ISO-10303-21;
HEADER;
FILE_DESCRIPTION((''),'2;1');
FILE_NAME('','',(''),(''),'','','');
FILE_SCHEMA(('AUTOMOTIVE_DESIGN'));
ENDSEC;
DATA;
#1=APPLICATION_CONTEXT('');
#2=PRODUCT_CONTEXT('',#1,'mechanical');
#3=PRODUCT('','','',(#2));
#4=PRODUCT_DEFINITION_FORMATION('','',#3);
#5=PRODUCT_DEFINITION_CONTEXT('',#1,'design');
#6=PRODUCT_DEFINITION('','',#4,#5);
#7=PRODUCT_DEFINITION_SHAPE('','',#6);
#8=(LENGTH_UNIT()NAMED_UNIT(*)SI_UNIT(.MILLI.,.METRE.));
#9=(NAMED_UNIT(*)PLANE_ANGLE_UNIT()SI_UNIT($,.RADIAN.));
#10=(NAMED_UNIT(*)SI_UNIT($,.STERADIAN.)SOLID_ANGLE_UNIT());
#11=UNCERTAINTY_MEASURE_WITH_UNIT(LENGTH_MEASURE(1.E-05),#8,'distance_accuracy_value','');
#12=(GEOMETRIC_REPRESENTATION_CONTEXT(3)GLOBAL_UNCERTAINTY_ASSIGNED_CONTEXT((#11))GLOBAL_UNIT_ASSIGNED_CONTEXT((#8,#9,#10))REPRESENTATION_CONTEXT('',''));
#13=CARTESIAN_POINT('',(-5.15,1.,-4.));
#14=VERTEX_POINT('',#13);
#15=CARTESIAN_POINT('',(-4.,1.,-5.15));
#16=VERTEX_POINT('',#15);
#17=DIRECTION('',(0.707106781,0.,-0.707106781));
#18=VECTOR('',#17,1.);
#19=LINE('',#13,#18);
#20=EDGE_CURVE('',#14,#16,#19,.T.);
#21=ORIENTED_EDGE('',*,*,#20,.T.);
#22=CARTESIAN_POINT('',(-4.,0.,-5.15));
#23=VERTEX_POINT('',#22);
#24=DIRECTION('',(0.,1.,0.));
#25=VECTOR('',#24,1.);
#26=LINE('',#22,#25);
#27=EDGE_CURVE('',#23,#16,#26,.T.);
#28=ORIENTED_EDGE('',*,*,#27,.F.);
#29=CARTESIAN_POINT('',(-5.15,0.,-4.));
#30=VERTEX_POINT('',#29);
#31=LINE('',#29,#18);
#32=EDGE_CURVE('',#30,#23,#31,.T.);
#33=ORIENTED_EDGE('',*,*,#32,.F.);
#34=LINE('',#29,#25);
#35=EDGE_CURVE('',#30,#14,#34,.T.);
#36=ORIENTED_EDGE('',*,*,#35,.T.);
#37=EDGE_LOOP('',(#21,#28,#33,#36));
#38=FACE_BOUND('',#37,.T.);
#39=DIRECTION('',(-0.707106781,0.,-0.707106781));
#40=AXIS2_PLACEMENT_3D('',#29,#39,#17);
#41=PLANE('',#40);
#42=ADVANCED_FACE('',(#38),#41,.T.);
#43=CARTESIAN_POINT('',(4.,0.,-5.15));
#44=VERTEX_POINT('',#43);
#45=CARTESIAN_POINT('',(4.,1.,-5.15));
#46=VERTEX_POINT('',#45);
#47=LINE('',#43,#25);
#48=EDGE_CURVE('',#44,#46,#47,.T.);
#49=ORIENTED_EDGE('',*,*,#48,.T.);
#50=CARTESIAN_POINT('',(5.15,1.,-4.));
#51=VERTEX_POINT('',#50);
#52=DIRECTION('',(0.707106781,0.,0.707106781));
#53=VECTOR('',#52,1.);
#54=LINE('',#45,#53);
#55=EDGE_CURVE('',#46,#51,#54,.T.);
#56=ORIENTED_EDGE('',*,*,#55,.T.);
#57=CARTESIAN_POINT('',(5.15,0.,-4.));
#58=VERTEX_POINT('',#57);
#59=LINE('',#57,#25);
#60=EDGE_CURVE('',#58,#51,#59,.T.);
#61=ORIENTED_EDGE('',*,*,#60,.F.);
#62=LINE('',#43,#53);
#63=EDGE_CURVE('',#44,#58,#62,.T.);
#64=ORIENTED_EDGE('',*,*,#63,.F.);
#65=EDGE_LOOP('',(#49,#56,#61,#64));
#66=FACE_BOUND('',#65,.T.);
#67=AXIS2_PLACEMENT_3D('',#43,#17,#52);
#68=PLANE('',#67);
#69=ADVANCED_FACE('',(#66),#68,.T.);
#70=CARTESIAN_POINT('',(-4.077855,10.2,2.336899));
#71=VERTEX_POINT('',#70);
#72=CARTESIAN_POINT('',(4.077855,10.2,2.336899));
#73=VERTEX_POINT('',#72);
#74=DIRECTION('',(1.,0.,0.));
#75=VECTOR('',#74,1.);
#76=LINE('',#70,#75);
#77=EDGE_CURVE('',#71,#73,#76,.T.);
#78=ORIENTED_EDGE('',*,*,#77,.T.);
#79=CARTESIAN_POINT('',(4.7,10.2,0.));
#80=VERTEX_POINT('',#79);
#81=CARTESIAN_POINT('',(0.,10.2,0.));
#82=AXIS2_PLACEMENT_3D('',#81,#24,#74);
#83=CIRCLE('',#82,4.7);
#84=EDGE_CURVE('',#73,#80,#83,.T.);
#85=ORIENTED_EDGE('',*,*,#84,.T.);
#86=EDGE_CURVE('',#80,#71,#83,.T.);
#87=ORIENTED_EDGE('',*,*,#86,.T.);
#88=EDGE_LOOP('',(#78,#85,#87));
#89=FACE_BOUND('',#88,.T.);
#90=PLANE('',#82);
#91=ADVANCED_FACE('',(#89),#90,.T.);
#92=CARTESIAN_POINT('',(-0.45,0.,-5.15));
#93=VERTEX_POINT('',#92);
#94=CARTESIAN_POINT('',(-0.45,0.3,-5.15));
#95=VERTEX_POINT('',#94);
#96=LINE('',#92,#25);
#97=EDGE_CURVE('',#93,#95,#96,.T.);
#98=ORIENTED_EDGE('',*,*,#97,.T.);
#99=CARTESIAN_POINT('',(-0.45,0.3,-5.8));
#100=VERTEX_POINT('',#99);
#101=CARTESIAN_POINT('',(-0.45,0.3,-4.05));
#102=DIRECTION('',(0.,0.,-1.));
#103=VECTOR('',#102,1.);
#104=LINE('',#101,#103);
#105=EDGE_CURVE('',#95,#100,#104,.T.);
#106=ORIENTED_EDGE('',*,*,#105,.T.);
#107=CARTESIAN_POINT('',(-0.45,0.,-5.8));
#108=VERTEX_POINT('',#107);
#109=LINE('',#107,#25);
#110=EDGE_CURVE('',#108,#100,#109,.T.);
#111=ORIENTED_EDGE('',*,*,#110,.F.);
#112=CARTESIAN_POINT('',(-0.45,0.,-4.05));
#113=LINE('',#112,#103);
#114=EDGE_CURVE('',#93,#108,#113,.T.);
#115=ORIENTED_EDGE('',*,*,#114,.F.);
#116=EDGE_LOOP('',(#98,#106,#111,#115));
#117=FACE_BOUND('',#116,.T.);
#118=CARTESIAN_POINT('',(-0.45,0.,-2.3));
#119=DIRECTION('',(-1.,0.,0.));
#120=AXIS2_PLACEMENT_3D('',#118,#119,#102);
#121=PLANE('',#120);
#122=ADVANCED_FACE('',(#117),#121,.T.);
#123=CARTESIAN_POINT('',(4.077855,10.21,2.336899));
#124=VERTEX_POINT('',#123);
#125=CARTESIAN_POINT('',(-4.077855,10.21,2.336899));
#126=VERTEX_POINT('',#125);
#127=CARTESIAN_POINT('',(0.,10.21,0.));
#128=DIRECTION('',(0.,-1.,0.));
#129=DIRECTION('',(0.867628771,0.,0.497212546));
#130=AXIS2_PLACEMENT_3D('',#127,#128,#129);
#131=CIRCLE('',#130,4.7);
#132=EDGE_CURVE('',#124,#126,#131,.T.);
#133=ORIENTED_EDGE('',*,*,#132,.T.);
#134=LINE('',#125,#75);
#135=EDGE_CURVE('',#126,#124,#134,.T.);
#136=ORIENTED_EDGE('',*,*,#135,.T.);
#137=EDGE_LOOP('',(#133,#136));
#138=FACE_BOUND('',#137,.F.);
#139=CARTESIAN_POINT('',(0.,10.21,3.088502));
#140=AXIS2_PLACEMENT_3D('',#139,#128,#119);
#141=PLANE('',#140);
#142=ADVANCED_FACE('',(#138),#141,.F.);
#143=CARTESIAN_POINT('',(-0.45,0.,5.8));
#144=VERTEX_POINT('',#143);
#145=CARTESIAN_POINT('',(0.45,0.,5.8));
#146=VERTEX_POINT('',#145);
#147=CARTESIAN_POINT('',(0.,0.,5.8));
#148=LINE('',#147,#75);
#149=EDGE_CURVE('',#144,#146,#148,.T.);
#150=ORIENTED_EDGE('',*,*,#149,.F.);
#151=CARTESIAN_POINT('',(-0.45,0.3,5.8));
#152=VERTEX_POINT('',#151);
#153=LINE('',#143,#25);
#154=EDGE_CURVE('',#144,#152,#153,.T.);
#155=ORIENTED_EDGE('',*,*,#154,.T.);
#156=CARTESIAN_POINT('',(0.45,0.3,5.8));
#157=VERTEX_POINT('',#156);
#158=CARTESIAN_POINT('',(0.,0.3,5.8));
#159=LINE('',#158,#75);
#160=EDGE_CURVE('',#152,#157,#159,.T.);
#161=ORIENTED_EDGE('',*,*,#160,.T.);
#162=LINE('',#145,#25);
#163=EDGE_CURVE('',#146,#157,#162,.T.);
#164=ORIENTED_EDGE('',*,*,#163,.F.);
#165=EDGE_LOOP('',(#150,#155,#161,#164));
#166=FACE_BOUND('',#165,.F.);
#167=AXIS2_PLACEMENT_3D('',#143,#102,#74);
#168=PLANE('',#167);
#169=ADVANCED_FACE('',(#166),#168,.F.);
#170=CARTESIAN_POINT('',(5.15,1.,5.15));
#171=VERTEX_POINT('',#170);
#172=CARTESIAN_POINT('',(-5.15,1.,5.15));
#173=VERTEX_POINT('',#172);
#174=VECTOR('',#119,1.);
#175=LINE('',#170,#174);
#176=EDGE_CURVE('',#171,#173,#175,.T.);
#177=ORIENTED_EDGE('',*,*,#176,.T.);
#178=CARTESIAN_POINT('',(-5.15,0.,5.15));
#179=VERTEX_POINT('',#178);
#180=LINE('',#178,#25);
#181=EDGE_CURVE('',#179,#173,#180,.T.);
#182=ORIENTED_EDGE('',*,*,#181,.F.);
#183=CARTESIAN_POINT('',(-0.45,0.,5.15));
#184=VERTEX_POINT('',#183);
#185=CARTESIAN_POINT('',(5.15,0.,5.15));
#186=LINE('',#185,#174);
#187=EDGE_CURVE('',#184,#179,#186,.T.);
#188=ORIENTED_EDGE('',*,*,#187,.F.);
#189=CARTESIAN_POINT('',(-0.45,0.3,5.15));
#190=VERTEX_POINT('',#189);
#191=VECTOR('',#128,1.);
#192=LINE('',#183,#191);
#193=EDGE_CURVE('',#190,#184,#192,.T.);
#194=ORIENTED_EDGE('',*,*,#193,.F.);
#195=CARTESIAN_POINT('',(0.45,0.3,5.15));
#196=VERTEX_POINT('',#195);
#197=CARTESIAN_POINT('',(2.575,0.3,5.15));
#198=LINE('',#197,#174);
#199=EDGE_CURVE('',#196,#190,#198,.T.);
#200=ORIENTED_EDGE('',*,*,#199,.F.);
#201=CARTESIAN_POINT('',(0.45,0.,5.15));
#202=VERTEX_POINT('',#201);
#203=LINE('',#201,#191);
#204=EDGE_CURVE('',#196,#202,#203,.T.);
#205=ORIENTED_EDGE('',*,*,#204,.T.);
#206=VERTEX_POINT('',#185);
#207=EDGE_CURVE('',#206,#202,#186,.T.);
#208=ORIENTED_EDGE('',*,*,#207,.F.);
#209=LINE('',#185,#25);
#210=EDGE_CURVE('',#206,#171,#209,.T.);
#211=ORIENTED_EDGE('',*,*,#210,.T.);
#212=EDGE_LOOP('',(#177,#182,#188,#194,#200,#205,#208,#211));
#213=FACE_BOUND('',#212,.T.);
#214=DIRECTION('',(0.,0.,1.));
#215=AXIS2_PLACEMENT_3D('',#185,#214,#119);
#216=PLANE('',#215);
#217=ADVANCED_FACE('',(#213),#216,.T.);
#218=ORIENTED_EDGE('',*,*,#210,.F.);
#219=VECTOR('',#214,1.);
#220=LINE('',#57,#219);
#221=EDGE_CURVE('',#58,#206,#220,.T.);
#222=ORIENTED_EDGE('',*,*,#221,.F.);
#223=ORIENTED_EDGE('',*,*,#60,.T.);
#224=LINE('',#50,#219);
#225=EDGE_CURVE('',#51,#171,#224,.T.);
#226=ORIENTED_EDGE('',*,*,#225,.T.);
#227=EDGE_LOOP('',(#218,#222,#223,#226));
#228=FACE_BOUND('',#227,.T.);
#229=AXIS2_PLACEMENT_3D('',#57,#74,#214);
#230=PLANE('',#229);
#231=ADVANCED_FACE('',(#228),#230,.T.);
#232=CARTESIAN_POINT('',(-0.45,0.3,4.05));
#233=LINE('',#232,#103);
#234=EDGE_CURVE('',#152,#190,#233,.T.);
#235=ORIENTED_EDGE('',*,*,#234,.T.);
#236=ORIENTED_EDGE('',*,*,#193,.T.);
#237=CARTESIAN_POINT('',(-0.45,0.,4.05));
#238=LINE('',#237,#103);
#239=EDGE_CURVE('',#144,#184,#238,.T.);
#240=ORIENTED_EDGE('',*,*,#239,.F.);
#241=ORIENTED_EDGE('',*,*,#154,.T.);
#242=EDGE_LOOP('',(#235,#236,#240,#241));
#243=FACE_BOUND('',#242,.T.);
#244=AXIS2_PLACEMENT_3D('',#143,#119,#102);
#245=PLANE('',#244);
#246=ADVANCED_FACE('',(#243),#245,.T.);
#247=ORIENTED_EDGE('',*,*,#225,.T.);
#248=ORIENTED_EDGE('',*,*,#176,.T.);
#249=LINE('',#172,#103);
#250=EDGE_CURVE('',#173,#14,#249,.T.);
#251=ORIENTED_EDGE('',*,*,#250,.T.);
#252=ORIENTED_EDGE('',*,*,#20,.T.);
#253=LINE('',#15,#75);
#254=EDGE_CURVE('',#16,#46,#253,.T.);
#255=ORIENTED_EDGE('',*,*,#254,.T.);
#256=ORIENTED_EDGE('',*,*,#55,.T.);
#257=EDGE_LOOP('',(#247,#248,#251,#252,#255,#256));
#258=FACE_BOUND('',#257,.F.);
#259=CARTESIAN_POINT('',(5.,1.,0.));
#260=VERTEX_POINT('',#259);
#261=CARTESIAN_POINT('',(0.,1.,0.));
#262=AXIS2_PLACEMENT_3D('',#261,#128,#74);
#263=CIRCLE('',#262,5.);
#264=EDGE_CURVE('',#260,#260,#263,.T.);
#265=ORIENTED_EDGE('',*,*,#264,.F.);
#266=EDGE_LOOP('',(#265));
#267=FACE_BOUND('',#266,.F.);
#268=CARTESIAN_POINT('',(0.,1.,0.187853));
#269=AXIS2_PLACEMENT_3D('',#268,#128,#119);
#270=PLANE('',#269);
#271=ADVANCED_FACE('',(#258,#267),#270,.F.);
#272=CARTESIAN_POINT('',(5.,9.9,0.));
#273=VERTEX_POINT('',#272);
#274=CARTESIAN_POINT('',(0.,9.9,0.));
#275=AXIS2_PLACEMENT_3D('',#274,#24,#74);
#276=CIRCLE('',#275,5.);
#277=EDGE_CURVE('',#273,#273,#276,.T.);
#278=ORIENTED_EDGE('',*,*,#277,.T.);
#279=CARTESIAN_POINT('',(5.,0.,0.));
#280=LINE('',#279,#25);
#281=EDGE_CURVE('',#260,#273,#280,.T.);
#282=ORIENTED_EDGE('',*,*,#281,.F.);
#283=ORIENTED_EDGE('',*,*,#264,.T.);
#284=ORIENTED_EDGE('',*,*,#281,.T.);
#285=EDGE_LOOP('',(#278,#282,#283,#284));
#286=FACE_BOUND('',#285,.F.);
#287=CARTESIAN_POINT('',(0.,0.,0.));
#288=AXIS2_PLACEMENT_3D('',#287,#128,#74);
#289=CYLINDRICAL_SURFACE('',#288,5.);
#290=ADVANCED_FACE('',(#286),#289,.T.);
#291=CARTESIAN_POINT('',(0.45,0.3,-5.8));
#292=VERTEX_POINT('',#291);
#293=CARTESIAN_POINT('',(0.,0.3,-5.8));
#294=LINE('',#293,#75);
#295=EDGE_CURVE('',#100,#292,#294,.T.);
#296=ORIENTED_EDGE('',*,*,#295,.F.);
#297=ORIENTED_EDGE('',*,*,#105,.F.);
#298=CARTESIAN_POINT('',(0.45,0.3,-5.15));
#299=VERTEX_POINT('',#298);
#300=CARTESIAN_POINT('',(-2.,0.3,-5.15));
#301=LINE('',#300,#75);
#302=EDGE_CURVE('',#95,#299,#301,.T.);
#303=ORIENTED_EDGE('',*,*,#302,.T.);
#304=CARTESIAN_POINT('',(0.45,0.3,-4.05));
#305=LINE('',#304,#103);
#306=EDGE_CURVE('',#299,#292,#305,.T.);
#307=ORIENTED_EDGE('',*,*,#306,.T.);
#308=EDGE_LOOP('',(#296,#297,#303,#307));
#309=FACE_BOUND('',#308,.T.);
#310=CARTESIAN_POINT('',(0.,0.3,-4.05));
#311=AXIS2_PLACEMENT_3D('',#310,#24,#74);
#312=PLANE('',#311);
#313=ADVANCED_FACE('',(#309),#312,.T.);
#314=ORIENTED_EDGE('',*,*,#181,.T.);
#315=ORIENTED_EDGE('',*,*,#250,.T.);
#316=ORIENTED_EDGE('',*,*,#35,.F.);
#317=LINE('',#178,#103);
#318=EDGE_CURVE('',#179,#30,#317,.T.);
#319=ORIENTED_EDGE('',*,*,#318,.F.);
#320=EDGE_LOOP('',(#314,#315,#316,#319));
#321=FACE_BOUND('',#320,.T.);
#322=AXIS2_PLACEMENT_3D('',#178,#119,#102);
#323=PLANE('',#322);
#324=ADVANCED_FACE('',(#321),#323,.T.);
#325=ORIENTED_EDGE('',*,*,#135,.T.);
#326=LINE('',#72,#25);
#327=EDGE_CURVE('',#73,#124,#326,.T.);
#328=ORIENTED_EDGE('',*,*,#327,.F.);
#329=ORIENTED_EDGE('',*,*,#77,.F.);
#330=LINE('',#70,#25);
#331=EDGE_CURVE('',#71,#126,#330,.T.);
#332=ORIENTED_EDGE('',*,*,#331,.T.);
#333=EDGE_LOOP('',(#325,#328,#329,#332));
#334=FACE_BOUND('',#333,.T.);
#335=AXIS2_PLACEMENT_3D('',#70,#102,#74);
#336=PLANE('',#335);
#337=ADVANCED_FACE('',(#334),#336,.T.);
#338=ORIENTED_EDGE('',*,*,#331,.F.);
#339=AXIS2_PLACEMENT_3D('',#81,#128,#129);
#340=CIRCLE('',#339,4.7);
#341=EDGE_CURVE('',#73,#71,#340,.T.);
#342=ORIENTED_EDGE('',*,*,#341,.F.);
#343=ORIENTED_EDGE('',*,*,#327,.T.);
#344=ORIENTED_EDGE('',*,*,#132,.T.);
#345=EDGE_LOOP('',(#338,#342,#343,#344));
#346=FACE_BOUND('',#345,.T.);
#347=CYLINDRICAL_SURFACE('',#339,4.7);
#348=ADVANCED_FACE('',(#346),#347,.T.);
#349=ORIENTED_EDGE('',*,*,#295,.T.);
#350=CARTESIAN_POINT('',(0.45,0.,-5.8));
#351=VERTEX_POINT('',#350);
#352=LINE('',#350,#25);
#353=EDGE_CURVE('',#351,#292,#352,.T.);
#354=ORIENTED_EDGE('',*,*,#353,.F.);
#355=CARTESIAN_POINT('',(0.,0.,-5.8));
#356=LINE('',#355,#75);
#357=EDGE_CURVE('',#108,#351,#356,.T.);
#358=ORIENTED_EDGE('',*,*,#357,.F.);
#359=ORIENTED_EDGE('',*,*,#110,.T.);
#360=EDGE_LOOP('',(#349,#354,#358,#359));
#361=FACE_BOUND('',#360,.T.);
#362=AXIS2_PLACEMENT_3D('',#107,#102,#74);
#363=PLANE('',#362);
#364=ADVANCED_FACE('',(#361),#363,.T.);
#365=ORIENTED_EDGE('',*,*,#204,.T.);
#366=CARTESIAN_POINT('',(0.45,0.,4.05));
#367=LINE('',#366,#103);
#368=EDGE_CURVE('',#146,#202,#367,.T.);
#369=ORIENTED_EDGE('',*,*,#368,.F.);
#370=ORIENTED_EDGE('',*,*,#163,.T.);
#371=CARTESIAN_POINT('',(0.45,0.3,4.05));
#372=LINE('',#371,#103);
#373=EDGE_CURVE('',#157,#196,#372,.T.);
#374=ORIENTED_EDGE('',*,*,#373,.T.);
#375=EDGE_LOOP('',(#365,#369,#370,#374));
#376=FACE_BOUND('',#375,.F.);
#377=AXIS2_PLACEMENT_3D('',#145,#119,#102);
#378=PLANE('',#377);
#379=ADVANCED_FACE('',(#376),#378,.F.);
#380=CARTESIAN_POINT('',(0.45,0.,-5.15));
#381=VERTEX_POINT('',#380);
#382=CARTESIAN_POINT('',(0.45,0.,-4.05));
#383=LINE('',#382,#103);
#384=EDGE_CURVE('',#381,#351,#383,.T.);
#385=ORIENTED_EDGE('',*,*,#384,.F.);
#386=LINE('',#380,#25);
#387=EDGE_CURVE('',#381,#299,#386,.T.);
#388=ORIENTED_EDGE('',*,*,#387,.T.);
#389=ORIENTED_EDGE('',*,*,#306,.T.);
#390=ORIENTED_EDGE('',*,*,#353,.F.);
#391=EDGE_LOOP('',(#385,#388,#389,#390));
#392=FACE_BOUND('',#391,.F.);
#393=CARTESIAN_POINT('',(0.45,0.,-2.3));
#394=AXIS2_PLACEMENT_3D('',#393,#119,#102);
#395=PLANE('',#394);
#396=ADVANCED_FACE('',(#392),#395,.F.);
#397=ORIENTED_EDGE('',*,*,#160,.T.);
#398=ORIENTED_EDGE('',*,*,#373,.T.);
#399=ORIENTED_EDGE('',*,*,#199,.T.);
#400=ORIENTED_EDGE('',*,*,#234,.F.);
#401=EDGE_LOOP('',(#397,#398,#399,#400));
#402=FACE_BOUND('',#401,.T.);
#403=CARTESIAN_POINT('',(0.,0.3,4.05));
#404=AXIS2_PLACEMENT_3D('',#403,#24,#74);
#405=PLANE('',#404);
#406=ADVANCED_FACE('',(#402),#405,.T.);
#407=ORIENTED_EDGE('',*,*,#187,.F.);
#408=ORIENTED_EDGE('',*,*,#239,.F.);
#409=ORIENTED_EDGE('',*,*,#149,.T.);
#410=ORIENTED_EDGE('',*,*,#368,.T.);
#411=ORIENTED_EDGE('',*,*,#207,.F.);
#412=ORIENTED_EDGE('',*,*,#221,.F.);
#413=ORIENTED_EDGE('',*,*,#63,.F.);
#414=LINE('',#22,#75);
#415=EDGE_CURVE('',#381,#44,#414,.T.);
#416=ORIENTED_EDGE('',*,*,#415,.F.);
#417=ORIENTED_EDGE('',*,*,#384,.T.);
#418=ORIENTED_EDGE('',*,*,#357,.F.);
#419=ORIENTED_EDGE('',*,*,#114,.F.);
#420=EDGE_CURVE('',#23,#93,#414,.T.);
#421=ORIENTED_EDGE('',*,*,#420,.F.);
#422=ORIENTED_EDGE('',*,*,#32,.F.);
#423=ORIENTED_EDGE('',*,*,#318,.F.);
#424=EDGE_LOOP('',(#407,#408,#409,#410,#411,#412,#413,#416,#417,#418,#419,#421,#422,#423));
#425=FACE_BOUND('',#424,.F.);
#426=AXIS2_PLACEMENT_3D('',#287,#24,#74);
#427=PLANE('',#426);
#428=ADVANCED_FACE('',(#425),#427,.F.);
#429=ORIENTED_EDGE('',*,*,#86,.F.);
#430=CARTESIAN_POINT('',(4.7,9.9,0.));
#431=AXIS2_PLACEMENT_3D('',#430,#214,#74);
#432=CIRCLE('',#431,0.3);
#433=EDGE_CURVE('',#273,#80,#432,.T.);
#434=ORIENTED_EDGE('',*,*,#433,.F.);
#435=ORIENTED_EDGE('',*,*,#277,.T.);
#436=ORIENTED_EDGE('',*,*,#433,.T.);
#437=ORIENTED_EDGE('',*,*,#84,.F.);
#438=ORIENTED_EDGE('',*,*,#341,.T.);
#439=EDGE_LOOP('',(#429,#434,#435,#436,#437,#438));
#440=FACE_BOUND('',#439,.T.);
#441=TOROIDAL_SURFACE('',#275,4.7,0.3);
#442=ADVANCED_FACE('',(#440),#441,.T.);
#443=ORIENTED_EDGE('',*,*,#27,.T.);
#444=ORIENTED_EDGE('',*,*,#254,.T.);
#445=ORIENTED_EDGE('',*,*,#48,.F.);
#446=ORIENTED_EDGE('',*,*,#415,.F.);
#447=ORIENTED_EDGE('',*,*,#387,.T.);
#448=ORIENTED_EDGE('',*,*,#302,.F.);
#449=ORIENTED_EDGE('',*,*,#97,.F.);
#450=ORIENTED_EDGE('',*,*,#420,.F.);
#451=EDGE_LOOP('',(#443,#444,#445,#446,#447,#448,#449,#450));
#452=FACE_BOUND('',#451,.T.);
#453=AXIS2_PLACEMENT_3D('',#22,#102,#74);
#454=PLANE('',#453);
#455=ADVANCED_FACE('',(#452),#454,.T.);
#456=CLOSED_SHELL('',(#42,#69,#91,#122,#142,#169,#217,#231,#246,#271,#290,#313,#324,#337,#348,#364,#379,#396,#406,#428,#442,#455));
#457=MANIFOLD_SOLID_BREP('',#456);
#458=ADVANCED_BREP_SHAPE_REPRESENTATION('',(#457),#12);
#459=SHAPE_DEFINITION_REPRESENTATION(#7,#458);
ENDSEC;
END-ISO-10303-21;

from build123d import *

# Parameters (mm, degrees)
BOSS_EXTRUDE1_DEPTH = 1
SKETCH3_R           = 5
BOSS_EXTRUDE2_DEPTH = 10.2
FILLET1_R           = 0.3
SKETCH4_W           = 0.9
SKETCH4_H           = 3.5
BOSS_EXTRUDE3_DEPTH = 0.3
BOSS_EXTRUDE4_DEPTH = 0.01


with BuildPart() as part:
    # Sketch2 → Boss-Extrude1 (new body)
    with BuildSketch(Plane(origin=(0, 0, 0), x_dir=(1, 0, 0), z_dir=(0, 1, 0))):
        Polygon((5.15, -5.15), (-5.15, -5.15), (-5.15, 4), (-4, 5.15), (4, 5.15), (5.15, 4), align=None)
    extrude(amount=BOSS_EXTRUDE1_DEPTH)

    # Sketch3 → Boss-Extrude2 (add)
    with BuildSketch(Plane(origin=(0, 0, 0), x_dir=(1, 0, 0), z_dir=(0, 1, 0))):
        Circle(SKETCH3_R)
    extrude(amount=BOSS_EXTRUDE2_DEPTH)

    # Fillet1
    fillet1_edges = [part.edges().sort_by_distance(p)[0] for p in [
        (-5, 10.2, 0),
    ]]
    fillet(fillet1_edges, radius=FILLET1_R)

    # Sketch4 → Boss-Extrude3 (add)
    with BuildSketch(Plane(origin=(0, 0, 0), x_dir=(1, 0, 0), z_dir=(0, 1, 0))):
        with Locations((0, 4.05)):
            Rectangle(SKETCH4_W, SKETCH4_H)
        with Locations((0, -4.05)):
            Rectangle(SKETCH4_W, SKETCH4_H)
    extrude(amount=BOSS_EXTRUDE3_DEPTH)

    # Sketch5 → Boss-Extrude4 (add)
    with BuildSketch(Plane(origin=(0, 10.2, 0), x_dir=(1, 0, 0), z_dir=(0, 1, 0))):
        with BuildLine():
            Line((-4.077855221, -2.336898969), (4.077855221, -2.336898969))
            ThreePointArc((4.077855221, -2.336898969), (0, -4.7), (-4.077855221, -2.336898969))
        make_face()
    extrude(amount=BOSS_EXTRUDE4_DEPTH)


solid = part.part
